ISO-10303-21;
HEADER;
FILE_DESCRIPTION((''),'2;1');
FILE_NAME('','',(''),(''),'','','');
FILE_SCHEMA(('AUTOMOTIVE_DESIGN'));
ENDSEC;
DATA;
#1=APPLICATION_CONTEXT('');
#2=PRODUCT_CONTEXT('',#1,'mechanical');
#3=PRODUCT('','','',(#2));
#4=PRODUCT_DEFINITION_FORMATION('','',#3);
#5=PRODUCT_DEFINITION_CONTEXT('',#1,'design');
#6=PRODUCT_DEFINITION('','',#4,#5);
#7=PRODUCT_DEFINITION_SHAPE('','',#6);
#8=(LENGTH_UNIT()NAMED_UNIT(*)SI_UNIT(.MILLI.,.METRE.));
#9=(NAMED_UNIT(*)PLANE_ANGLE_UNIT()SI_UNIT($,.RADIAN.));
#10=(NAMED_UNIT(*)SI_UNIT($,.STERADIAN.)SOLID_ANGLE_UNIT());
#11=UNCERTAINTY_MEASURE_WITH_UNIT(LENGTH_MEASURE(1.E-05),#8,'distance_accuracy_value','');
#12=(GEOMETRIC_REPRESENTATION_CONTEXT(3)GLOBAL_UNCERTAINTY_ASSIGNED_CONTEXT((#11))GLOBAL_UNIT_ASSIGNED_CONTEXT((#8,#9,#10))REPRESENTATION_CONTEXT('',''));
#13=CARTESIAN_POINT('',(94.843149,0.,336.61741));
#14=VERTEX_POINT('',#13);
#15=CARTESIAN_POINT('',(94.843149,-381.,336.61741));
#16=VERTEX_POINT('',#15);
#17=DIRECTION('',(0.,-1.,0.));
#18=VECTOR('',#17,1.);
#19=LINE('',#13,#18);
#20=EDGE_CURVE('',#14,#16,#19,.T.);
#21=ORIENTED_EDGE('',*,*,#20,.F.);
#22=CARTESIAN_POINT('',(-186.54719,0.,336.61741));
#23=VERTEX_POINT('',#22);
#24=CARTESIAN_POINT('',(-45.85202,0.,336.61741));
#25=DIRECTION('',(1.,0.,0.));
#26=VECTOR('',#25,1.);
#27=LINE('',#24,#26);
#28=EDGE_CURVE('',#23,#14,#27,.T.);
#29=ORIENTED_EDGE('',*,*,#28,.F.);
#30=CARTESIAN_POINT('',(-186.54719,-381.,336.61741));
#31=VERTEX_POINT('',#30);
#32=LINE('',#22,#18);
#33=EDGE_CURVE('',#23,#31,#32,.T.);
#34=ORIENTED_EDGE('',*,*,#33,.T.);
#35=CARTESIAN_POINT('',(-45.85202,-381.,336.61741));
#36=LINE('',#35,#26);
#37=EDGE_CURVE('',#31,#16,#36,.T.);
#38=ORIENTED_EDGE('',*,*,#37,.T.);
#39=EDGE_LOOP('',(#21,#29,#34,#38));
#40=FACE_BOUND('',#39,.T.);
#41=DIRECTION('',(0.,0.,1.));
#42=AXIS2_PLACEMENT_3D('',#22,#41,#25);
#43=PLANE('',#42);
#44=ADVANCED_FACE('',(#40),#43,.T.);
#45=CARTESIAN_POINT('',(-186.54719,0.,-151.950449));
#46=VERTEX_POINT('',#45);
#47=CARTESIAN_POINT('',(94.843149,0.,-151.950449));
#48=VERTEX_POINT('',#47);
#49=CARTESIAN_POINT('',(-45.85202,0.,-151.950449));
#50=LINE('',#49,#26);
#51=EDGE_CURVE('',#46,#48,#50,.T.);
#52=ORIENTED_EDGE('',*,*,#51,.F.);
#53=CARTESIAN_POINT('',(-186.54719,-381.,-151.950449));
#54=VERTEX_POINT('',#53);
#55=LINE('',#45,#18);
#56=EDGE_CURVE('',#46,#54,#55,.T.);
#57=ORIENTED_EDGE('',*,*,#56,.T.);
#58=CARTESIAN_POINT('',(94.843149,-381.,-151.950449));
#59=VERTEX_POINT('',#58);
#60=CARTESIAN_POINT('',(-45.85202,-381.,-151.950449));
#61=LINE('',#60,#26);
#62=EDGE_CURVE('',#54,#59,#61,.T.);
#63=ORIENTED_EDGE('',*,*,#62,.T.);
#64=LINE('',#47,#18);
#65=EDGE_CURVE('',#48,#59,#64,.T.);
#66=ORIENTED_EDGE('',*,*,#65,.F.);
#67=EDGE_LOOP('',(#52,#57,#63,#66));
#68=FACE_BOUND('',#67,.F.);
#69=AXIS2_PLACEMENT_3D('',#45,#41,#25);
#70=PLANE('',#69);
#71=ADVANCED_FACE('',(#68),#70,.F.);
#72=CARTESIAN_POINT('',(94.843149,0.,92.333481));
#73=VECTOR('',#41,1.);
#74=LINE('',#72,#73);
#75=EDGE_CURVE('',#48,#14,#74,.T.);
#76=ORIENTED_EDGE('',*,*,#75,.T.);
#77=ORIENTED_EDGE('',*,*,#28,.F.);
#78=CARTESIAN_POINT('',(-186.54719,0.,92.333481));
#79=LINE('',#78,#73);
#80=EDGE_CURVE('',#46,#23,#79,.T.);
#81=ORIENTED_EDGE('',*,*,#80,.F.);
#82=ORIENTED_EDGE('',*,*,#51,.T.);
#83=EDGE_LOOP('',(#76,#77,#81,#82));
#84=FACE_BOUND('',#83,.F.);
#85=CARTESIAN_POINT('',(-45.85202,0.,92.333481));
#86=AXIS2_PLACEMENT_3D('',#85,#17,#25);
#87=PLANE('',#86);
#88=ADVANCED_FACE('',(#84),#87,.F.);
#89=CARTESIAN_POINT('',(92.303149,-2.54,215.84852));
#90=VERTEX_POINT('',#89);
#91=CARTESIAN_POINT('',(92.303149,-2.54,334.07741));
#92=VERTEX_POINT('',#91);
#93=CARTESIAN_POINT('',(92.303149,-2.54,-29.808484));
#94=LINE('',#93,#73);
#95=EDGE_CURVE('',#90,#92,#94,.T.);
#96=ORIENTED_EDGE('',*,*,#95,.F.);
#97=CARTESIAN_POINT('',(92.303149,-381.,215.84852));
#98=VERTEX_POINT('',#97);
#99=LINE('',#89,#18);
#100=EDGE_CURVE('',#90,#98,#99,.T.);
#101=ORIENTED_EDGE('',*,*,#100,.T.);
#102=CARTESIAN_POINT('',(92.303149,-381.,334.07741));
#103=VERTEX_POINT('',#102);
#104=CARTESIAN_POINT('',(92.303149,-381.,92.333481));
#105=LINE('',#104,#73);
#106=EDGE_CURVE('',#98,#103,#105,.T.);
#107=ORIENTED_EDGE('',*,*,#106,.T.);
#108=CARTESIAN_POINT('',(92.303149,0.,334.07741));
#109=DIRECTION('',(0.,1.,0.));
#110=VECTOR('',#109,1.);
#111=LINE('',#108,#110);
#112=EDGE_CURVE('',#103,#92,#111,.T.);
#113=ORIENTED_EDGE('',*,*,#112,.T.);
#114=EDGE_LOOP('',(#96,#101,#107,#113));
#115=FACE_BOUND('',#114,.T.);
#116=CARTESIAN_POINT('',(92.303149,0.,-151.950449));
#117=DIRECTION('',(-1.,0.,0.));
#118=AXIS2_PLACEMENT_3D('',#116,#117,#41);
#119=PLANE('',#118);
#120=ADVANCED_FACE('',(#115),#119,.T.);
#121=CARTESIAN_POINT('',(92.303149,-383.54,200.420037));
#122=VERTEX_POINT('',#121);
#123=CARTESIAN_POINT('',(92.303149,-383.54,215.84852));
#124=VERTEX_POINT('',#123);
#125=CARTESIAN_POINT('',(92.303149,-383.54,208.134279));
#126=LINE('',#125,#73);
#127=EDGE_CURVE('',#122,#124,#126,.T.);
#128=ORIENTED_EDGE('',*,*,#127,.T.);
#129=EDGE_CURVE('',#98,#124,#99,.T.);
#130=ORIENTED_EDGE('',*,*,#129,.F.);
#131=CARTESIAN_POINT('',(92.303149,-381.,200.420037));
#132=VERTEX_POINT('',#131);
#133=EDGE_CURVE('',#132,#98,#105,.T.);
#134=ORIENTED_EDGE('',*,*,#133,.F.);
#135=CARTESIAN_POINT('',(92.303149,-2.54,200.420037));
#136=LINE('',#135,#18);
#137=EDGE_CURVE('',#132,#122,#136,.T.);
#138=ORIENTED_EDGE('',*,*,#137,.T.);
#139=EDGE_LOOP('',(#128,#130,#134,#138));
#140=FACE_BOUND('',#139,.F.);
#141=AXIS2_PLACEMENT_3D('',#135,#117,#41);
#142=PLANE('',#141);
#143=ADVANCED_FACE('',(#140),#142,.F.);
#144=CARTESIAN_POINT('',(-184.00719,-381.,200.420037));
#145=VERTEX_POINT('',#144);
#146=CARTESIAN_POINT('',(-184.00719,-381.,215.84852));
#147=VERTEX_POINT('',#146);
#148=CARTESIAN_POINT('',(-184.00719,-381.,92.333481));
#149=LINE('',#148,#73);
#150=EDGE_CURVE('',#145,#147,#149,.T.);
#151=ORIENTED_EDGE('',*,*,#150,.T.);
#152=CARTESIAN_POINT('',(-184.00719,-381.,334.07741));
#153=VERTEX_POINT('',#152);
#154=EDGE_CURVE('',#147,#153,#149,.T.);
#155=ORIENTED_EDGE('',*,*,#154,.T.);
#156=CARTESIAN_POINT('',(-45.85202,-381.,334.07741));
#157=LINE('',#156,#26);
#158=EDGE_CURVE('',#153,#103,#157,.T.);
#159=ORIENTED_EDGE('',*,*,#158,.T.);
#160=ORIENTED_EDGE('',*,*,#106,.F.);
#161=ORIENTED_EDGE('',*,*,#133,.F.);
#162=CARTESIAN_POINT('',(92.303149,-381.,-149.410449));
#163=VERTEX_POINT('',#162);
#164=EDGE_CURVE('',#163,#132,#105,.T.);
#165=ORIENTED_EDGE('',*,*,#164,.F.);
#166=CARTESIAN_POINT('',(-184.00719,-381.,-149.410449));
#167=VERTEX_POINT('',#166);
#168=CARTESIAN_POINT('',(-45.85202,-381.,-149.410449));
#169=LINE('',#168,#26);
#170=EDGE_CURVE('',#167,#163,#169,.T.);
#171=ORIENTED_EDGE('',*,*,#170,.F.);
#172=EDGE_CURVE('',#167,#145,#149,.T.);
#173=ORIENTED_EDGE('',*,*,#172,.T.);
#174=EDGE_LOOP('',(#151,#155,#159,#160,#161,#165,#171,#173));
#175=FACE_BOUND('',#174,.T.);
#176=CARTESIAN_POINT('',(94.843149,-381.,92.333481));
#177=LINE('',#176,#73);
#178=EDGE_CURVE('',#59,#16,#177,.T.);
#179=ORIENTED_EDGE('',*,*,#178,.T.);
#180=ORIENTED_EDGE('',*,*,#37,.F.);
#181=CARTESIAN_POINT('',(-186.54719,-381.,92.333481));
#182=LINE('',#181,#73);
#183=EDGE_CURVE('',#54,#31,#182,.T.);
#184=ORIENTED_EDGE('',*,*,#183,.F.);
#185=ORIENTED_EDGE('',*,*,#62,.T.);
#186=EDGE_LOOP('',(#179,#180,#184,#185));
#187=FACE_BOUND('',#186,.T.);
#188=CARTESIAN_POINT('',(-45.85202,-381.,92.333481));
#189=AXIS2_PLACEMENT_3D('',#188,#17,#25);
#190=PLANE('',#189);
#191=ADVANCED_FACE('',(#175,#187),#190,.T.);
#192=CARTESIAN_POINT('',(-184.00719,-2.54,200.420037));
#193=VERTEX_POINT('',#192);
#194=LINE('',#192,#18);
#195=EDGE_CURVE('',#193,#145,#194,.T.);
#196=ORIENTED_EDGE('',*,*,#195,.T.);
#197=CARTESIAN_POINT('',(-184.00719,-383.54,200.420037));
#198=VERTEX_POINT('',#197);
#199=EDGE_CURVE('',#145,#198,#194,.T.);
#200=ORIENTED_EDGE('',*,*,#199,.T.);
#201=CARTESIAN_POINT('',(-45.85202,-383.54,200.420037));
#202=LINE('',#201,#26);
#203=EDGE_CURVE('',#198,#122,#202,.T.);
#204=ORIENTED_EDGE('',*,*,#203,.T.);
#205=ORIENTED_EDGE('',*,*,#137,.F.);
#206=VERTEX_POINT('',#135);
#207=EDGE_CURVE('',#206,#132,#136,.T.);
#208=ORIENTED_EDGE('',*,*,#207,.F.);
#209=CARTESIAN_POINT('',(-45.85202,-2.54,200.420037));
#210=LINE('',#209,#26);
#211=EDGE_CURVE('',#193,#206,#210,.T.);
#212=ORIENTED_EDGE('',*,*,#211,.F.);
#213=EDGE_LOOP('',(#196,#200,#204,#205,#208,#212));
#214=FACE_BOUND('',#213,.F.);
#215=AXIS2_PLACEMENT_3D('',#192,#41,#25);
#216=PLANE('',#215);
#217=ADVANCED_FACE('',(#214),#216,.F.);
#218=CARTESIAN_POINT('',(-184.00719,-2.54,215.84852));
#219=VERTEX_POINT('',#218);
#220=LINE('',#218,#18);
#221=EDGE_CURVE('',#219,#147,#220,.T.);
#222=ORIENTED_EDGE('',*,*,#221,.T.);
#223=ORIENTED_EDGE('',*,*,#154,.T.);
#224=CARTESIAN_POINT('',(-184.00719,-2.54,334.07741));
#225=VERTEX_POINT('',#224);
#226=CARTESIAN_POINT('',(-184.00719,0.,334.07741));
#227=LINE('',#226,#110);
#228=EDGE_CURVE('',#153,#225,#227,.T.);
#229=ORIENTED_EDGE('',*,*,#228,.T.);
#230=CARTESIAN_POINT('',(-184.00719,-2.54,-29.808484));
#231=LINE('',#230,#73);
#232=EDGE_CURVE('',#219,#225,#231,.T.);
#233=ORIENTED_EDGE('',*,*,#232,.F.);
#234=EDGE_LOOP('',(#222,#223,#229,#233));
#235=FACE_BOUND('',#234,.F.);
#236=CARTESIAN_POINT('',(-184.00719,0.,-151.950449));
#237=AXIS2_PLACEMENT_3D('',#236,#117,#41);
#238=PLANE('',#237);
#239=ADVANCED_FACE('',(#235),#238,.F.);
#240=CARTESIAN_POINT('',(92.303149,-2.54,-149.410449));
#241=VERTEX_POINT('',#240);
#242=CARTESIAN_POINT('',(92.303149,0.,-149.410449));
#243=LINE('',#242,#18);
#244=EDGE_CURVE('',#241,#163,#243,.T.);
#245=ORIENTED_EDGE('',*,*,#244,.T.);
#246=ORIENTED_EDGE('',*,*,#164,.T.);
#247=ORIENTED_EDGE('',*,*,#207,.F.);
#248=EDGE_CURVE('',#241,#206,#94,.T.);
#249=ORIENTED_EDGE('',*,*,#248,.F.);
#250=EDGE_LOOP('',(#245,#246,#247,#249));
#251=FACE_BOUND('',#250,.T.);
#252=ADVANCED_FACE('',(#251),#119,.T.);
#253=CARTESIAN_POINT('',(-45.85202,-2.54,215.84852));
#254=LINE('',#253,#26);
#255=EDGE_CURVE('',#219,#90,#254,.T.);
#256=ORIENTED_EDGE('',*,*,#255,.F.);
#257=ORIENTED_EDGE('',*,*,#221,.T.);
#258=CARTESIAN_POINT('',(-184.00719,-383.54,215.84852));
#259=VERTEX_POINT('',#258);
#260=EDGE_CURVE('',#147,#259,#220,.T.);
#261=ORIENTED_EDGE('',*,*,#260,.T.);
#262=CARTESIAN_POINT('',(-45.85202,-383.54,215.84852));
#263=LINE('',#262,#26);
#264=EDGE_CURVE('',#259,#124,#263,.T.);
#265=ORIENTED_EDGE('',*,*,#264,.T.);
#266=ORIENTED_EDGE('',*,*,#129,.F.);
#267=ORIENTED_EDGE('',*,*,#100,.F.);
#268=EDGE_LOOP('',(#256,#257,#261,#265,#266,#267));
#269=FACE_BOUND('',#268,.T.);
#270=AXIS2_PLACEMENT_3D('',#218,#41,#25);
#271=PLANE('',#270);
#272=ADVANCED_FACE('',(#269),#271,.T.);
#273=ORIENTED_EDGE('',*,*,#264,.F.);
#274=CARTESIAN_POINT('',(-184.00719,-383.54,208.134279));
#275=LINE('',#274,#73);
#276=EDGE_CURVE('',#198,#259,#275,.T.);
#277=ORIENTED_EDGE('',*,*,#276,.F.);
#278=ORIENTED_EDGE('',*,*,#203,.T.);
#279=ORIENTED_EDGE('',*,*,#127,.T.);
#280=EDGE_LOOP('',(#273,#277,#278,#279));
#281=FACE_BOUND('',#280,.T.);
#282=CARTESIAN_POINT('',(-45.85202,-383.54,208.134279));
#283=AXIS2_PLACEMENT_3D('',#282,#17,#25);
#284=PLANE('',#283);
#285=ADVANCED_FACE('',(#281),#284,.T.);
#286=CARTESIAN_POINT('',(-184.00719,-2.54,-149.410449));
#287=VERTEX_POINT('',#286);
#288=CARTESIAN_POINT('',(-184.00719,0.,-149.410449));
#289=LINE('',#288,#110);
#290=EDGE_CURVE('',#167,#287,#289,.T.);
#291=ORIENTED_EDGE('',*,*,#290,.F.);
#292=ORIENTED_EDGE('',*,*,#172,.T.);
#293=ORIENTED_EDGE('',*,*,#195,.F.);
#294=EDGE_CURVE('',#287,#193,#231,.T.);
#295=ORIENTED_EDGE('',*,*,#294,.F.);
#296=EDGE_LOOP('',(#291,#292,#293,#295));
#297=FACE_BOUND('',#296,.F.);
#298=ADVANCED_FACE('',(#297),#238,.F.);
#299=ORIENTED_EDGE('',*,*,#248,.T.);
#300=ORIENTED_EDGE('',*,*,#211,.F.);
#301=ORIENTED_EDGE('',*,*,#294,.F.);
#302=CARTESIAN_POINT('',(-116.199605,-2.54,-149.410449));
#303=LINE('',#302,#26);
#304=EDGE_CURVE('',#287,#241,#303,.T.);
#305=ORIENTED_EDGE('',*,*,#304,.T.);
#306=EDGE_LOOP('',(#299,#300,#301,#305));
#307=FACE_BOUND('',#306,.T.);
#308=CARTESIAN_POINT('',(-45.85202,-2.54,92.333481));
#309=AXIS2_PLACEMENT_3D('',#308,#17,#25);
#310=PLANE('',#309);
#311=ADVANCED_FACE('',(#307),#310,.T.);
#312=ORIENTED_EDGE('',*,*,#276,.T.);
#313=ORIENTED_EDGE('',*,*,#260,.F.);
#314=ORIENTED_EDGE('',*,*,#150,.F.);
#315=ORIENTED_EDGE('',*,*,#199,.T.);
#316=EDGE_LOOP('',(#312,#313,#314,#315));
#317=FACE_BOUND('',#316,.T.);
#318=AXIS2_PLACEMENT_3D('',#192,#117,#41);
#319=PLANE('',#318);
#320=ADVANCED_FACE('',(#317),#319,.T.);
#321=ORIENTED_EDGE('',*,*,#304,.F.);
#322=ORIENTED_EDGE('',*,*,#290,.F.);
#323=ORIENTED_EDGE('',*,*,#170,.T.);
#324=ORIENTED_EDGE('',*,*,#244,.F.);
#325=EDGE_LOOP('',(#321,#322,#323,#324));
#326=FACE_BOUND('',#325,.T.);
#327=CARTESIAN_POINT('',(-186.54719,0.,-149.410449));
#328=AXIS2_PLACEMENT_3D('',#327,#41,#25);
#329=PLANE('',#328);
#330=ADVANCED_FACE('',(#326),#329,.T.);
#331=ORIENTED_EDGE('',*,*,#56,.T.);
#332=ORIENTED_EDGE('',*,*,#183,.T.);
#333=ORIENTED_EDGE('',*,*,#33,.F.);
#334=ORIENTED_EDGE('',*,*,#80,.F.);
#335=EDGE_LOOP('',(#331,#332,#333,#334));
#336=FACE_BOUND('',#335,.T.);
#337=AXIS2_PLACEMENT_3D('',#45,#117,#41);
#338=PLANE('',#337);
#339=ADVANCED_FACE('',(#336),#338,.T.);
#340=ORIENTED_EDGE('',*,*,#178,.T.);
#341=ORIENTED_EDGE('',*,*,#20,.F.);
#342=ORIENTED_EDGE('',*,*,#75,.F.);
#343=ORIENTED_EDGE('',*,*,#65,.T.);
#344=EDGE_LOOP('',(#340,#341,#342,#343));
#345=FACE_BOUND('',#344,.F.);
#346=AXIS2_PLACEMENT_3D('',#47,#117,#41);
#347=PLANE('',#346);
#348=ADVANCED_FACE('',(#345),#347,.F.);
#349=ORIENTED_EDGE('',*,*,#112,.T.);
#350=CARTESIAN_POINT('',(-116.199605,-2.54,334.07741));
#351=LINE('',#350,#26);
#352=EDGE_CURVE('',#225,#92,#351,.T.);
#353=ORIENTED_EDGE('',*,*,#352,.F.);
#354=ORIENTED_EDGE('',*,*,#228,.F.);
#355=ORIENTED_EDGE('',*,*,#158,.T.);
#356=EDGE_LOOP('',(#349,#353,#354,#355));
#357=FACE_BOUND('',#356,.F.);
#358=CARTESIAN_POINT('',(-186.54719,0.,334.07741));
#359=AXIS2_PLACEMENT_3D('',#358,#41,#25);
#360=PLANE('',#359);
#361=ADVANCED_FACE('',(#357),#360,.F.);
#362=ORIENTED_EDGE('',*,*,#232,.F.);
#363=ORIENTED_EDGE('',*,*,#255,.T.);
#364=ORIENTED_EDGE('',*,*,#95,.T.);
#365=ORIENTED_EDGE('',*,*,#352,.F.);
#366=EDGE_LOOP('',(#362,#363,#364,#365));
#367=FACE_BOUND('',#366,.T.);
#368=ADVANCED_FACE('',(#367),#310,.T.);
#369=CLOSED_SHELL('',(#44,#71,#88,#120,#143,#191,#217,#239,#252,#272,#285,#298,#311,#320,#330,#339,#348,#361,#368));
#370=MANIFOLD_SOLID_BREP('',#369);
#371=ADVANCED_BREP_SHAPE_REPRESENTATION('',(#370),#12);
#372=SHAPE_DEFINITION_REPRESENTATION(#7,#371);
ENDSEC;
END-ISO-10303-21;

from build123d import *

# Parameters (mm, degrees)
F0_W     = 281.3903391361
F0_H     = 488.5678589344
F1_DEPTH = 381
F2_T     = -2.54
F3_W     = 276.3103391361
F3_H     = 15.4284834862
F4_DEPTH = 381


with BuildPart() as f1:
    # F0 (on Front) → F1 (new body)
    with BuildSketch(Plane.XZ):
        with Locations((-45.8520203829, 92.3334807158)):
            Rectangle(F0_W, F0_H)
    extrude(amount=F1_DEPTH)

    # F2
    f2_openings = [f1.faces().sort_by_distance(p)[0] for p in [
        (-45.85202, -381, 92.333481),
    ]]
    offset(amount=F2_T, openings=f2_openings)

    # F3 (on face) → F4 (join)
    with BuildSketch(Plane.XZ.offset(2.54)):
        with Locations((-45.8520203829, 208.1342786551)):
            Rectangle(F3_W, F3_H)
    extrude(amount=F4_DEPTH)


solid = f1.part
